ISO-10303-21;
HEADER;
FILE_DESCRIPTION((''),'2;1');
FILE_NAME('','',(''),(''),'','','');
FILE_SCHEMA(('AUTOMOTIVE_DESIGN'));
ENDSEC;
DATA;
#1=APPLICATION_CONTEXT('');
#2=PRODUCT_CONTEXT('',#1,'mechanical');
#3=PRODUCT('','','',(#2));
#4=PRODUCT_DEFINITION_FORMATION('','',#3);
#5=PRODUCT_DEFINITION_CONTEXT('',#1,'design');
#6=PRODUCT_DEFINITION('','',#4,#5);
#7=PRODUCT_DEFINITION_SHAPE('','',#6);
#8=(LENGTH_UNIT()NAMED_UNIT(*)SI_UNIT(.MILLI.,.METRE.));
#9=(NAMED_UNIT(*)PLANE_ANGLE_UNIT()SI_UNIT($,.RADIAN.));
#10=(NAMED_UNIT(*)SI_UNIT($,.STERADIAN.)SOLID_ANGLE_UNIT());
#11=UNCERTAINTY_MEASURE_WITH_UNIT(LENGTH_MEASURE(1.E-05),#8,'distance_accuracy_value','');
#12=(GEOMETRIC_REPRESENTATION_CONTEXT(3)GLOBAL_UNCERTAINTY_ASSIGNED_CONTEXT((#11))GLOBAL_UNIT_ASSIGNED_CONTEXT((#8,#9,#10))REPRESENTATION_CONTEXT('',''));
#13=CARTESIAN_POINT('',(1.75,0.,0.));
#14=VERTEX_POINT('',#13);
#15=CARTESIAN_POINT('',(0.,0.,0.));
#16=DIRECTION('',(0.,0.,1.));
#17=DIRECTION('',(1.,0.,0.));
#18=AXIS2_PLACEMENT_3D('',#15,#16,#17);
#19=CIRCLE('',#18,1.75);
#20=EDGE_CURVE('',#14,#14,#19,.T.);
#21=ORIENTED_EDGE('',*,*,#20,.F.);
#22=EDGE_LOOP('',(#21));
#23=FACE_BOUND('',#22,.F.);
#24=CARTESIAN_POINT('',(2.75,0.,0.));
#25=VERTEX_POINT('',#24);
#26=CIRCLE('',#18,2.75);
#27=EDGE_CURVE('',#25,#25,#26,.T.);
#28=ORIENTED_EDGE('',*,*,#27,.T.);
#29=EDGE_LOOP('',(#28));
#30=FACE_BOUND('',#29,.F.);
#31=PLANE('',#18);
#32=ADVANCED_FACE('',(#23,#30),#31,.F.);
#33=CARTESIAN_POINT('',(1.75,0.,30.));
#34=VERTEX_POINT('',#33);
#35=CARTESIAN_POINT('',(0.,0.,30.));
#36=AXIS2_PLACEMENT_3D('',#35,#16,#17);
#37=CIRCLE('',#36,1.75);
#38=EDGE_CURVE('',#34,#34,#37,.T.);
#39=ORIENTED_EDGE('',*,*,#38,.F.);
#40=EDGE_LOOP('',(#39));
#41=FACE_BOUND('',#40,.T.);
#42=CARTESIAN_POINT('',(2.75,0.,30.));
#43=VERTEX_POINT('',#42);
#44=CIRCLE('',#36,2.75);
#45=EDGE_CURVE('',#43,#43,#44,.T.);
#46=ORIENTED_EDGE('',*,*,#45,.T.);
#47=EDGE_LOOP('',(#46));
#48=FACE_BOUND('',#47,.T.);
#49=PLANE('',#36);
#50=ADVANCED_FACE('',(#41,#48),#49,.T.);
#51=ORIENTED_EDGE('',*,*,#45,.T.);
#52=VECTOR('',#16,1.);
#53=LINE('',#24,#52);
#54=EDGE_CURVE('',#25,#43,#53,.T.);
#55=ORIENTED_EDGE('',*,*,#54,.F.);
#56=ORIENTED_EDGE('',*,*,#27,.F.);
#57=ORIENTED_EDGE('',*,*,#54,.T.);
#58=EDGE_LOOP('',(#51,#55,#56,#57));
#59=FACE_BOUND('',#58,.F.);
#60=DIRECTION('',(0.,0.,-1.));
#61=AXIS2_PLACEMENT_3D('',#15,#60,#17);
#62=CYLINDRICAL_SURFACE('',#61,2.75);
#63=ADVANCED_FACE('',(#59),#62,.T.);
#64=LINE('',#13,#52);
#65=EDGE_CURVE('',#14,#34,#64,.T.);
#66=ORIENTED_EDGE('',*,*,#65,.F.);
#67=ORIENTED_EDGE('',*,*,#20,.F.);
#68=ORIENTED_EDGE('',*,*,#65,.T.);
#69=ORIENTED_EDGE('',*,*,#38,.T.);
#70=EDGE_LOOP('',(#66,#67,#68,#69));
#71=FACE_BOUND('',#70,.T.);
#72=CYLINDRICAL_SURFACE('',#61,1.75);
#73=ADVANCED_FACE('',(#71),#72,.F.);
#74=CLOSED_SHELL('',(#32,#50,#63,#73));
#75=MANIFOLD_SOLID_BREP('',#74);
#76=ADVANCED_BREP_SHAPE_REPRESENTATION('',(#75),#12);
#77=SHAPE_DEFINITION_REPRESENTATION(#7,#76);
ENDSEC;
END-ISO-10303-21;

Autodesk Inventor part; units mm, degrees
ref_plane "YZ Plane" through (0, 0, 0) normal (1, 0, 0) x (0, 1, 0)
ref_plane "XZ Plane" through (0, 0, 0) normal (0, 1, 0) x (-1, 0, 0)
ref_plane "XY Plane" through (0, 0, 0) normal (0, 0, 1) x (1, 0, 0)
sketch "Boceto1" plane through (0, 0, 0) normal (0, 0, 1) x (1, 0, 0)
  circle A0 centre (0, 0) radius 1.75
  circle A1 centre (0, 0) radius 2.75
  dimension "d0" = 3.5
  dimension "d1" = 5.5
extrude "Extrusión1" add sketch "Boceto1" along normal blind 30
properties part number "Separador de Base y Placa"
